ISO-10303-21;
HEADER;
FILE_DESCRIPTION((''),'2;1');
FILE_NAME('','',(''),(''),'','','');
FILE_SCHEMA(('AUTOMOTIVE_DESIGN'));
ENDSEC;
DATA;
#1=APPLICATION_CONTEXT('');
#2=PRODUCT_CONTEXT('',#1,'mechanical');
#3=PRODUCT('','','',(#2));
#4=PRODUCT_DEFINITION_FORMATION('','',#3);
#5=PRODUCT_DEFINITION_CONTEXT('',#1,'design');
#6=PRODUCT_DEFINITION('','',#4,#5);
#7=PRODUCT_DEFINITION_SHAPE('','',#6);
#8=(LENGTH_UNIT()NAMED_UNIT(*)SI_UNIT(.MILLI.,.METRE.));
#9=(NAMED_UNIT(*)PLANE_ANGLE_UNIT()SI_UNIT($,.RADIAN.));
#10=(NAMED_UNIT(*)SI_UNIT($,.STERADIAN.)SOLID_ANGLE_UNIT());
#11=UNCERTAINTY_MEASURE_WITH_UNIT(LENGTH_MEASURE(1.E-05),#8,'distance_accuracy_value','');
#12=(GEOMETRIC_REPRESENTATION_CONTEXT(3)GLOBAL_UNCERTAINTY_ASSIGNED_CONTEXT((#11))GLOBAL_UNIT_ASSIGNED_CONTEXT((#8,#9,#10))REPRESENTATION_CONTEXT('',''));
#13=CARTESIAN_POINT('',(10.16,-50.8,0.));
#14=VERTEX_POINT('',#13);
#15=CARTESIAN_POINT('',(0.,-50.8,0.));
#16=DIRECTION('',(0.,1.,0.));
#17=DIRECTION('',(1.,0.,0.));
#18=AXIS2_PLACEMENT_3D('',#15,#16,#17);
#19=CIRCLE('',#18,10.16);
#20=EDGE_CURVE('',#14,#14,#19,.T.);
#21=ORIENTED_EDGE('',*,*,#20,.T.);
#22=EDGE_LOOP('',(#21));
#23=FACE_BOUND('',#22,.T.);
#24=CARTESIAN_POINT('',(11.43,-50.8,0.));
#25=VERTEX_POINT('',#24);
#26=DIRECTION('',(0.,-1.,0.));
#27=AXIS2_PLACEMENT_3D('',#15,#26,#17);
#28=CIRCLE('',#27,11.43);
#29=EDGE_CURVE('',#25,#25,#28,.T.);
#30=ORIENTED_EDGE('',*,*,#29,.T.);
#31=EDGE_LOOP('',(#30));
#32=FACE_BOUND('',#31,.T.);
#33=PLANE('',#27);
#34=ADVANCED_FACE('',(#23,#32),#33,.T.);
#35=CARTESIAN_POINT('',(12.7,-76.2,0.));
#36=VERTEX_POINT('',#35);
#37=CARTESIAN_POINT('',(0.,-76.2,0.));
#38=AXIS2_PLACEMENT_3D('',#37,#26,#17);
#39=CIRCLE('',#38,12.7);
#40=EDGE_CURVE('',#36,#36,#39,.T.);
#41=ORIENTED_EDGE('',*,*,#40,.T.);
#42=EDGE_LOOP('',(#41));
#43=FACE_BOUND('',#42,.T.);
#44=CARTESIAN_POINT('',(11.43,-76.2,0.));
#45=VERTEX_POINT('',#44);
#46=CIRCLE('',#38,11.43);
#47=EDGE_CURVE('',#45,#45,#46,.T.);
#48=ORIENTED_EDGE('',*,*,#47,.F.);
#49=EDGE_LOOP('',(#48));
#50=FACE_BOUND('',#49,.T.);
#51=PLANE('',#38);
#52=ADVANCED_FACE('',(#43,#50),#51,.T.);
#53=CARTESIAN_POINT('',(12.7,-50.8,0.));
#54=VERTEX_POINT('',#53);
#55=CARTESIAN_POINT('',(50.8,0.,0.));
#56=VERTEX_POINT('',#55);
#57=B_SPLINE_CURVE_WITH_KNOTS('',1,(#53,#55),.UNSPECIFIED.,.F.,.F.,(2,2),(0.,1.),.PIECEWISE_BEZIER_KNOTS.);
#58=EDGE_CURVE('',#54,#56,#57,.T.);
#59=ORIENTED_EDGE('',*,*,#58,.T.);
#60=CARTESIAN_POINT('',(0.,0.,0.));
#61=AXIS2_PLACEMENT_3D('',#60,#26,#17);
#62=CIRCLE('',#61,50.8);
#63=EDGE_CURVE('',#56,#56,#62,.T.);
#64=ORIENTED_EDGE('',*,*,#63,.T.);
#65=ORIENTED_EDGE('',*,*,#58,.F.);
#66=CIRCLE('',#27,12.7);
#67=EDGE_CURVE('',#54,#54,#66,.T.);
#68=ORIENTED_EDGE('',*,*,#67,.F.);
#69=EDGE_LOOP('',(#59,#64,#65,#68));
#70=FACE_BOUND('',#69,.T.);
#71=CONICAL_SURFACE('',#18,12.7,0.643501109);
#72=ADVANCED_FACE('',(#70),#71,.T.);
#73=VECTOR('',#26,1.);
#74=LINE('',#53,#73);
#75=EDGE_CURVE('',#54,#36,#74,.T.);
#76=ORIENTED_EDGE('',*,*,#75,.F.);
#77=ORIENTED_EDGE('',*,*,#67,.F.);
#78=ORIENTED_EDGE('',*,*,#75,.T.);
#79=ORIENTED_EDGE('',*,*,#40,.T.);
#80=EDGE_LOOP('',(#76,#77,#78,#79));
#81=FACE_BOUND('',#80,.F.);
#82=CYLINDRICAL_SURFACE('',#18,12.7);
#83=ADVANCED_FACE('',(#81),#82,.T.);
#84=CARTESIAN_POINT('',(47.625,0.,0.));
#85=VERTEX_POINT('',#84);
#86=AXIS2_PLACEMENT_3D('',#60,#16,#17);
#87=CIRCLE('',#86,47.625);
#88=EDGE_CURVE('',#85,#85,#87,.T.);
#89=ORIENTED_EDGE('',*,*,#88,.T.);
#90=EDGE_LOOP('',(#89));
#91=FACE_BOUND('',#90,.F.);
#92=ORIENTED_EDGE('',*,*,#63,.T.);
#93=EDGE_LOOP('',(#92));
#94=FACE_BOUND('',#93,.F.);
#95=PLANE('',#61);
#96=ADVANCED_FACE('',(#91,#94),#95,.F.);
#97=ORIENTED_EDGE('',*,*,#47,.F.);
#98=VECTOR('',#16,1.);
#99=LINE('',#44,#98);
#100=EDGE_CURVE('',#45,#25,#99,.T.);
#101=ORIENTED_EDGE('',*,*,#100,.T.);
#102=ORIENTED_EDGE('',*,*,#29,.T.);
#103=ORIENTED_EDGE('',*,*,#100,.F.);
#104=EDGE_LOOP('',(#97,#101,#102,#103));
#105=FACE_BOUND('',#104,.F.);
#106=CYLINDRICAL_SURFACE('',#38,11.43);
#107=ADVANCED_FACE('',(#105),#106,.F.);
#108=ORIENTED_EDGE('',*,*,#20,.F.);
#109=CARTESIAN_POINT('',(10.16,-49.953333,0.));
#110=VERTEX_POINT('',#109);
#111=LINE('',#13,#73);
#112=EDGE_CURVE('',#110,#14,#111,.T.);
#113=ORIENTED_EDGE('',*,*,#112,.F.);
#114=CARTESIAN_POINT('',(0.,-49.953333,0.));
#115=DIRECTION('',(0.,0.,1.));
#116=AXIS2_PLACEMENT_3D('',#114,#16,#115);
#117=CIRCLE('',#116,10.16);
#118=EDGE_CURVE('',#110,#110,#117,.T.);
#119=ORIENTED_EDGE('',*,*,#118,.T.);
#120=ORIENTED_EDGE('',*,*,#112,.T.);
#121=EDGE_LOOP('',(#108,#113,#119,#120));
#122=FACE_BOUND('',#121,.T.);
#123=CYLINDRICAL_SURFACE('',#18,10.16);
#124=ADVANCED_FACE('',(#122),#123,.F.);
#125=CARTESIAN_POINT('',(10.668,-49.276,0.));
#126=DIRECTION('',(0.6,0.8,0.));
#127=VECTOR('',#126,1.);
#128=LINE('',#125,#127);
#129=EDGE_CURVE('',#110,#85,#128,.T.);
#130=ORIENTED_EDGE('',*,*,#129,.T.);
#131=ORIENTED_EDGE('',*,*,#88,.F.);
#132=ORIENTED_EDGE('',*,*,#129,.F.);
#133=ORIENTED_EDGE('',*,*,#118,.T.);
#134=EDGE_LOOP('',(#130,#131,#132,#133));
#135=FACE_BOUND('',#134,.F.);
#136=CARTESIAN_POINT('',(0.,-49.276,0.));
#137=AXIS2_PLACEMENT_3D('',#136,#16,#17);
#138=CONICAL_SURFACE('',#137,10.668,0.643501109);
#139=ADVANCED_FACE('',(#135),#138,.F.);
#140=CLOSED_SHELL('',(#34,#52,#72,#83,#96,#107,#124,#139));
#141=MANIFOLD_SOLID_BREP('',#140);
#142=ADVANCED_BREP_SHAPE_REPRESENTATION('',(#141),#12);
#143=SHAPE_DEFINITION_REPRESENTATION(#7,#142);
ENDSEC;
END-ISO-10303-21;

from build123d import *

# Parameters (mm, degrees)
F2_R      = 12.7
F3_DEPTH  = 25.4
F3_FACE_R = 12.7
F0_R      = 50.8
F5_T      = -2.54
F6_R      = 11.43
F7_DEPTH  = 25.4


with BuildPart() as f3:
    # F2 (on offset) → F3 (new body)
    with BuildSketch(Plane.XZ.offset(50.8)):
        Circle(F2_R)
    extrude(amount=F3_DEPTH)

    # F3_face (on face) → F4 section 0
    with BuildSketch(Plane(origin=(0, -50.8, 0), x_dir=(1, 0, 0), z_dir=(0, 1, 0))):
        Circle(F3_FACE_R)
    # F0 (on Front) → F4 section 1
    with BuildSketch(Plane.XZ):
        Circle(F0_R)
    loft()

    # F5
    f5_openings = [f3.faces().sort_by_distance(p)[0] for p in [
        (0, 0, 0),
    ]]
    offset(amount=F5_T, openings=f5_openings, kind=Kind.INTERSECTION)

    # F6 (on face) → F7 (cut)
    with BuildSketch(Plane.XZ.offset(76.2)):
        Circle(F6_R)
    extrude(amount=-F7_DEPTH, mode=Mode.SUBTRACT)


solid = f3.part
